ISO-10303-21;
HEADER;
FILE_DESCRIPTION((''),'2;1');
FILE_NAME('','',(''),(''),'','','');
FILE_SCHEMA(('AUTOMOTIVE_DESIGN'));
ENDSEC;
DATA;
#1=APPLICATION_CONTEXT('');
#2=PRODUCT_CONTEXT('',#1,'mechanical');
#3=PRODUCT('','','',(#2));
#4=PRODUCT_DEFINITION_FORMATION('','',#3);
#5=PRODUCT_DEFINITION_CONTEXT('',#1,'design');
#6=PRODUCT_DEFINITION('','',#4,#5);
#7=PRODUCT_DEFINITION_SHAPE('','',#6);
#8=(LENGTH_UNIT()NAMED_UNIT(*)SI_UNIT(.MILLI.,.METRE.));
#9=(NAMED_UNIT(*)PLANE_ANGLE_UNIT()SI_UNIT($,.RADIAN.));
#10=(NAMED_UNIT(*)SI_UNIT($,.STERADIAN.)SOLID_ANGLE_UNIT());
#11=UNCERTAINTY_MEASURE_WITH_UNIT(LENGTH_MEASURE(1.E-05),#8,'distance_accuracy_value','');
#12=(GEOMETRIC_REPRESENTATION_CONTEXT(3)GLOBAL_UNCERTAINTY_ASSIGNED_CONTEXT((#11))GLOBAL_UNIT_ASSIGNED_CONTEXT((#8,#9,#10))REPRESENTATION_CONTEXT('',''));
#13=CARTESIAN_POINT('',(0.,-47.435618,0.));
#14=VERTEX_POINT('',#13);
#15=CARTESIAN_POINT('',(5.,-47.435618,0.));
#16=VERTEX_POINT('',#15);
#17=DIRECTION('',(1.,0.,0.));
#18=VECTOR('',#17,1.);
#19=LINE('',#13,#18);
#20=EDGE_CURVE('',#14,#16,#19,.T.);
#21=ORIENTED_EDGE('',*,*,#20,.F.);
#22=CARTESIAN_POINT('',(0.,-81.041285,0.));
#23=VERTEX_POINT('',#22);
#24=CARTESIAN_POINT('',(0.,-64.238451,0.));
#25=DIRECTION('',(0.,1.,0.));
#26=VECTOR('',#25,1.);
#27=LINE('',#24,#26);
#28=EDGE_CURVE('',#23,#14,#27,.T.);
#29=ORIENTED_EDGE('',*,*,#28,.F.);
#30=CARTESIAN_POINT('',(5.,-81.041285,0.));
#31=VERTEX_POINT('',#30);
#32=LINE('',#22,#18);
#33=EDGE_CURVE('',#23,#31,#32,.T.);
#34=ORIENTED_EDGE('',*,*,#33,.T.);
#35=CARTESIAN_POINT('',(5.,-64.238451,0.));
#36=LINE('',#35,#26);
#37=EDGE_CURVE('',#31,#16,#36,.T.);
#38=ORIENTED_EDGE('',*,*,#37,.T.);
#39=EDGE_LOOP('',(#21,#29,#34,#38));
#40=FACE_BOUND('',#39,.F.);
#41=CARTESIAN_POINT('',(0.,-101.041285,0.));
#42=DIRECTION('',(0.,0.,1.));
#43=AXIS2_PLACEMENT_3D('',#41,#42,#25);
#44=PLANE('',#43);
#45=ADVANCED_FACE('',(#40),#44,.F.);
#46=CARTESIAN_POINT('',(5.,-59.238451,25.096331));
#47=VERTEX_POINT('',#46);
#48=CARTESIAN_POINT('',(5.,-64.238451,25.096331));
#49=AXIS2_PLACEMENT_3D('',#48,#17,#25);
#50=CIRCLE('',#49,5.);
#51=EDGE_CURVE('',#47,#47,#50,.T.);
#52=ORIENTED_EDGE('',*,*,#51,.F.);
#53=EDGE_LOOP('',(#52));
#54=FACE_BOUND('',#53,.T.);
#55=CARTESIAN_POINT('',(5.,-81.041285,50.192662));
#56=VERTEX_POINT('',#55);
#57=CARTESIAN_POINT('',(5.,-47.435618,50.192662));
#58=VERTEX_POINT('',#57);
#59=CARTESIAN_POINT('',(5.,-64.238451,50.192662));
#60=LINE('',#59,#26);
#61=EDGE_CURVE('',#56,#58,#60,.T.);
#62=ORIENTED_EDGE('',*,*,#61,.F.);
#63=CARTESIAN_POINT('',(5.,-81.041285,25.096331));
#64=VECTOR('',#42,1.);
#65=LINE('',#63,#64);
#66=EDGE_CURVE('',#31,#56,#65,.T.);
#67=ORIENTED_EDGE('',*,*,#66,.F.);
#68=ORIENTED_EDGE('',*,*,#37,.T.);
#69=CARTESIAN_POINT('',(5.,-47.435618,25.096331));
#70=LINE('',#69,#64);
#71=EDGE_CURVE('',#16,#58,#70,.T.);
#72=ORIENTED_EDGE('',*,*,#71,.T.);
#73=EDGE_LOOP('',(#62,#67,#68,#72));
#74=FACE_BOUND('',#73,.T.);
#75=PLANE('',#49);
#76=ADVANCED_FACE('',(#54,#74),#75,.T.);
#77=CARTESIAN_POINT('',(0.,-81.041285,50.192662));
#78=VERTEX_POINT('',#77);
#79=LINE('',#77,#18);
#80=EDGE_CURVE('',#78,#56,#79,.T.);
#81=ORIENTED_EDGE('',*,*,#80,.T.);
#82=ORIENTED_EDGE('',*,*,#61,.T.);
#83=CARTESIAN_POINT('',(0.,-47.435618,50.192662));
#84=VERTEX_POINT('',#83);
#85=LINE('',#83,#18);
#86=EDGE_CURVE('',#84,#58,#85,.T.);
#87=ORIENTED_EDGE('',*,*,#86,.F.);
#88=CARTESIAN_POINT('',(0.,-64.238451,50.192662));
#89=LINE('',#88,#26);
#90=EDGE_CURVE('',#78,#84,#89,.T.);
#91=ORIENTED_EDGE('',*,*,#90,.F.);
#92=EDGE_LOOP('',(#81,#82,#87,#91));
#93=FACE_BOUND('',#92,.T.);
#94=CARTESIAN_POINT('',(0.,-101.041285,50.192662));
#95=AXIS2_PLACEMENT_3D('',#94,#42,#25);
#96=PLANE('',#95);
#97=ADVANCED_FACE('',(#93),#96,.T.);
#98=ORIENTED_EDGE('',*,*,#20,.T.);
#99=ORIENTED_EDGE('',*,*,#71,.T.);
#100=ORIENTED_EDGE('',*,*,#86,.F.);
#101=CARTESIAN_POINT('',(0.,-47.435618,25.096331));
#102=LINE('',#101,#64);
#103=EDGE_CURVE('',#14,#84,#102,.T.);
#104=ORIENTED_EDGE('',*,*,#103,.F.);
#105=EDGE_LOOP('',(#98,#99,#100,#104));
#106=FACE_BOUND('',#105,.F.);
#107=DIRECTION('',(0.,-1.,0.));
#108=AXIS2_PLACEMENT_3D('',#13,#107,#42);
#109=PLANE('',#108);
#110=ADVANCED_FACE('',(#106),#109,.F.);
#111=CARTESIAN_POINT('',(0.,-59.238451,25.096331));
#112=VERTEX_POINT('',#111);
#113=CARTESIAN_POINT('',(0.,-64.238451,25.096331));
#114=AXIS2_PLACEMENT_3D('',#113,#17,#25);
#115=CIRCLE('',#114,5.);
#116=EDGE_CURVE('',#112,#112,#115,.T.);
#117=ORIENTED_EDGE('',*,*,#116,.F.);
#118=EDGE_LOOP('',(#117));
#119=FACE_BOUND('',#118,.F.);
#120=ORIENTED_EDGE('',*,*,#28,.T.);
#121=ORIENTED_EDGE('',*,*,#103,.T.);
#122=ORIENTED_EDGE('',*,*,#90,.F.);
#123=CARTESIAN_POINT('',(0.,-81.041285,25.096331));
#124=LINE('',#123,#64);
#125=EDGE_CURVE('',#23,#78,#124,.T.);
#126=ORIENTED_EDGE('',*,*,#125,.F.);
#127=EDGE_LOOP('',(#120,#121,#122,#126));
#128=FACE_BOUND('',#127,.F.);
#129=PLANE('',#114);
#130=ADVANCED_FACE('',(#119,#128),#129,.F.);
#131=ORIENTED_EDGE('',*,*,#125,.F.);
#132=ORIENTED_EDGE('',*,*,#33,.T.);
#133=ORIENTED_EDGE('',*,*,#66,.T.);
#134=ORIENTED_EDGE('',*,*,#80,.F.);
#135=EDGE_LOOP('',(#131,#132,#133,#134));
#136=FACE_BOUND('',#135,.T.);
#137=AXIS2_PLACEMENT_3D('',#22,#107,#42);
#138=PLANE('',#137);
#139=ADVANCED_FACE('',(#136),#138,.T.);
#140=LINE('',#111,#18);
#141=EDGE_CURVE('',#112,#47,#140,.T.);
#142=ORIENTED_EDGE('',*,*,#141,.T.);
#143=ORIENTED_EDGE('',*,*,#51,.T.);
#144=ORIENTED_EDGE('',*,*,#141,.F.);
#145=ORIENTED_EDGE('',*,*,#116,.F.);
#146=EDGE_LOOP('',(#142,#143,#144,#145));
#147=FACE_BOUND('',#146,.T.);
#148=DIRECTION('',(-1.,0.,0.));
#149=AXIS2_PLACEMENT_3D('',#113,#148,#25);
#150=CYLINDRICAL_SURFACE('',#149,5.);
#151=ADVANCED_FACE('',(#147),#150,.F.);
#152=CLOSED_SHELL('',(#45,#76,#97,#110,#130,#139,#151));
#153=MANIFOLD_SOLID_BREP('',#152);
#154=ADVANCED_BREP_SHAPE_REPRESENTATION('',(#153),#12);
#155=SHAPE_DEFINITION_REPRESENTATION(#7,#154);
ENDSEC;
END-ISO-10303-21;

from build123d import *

# Parameters (mm, degrees)
F0_W     = 73.6056677997
F0_H     = 50.1926615834
F0_R     = 5
F1_DEPTH = 5
F3_DEPTH = 20
F4_DEPTH = 20


with BuildPart() as f1:
    # F0 (on Right) → F1 (new body)
    with BuildSketch(Plane.YZ):
        with Locations((-64.2384514213, 25.0963307917)):
            Rectangle(F0_W, F0_H)
        with Locations((-64.2384514213, 25.0963307917)):
            Circle(F0_R, mode=Mode.SUBTRACT)
    extrude(amount=F1_DEPTH)

    # F3 (cut): a face of the model
    f3_faces = [f1.faces().sort_by_distance(p)[0] for p in [
        (2.5, -101.0412853211, 25.0963307917),
    ]]
    extrude(f3_faces, amount=-F3_DEPTH, mode=Mode.SUBTRACT)

    # F4 (cut): a face of the model
    f4_faces = [f1.faces().sort_by_distance(p)[0] for p in [
        (2.5, -27.4356175214, 25.0963307917),
    ]]
    extrude(f4_faces, amount=-F4_DEPTH, mode=Mode.SUBTRACT)


solid = f1.part
